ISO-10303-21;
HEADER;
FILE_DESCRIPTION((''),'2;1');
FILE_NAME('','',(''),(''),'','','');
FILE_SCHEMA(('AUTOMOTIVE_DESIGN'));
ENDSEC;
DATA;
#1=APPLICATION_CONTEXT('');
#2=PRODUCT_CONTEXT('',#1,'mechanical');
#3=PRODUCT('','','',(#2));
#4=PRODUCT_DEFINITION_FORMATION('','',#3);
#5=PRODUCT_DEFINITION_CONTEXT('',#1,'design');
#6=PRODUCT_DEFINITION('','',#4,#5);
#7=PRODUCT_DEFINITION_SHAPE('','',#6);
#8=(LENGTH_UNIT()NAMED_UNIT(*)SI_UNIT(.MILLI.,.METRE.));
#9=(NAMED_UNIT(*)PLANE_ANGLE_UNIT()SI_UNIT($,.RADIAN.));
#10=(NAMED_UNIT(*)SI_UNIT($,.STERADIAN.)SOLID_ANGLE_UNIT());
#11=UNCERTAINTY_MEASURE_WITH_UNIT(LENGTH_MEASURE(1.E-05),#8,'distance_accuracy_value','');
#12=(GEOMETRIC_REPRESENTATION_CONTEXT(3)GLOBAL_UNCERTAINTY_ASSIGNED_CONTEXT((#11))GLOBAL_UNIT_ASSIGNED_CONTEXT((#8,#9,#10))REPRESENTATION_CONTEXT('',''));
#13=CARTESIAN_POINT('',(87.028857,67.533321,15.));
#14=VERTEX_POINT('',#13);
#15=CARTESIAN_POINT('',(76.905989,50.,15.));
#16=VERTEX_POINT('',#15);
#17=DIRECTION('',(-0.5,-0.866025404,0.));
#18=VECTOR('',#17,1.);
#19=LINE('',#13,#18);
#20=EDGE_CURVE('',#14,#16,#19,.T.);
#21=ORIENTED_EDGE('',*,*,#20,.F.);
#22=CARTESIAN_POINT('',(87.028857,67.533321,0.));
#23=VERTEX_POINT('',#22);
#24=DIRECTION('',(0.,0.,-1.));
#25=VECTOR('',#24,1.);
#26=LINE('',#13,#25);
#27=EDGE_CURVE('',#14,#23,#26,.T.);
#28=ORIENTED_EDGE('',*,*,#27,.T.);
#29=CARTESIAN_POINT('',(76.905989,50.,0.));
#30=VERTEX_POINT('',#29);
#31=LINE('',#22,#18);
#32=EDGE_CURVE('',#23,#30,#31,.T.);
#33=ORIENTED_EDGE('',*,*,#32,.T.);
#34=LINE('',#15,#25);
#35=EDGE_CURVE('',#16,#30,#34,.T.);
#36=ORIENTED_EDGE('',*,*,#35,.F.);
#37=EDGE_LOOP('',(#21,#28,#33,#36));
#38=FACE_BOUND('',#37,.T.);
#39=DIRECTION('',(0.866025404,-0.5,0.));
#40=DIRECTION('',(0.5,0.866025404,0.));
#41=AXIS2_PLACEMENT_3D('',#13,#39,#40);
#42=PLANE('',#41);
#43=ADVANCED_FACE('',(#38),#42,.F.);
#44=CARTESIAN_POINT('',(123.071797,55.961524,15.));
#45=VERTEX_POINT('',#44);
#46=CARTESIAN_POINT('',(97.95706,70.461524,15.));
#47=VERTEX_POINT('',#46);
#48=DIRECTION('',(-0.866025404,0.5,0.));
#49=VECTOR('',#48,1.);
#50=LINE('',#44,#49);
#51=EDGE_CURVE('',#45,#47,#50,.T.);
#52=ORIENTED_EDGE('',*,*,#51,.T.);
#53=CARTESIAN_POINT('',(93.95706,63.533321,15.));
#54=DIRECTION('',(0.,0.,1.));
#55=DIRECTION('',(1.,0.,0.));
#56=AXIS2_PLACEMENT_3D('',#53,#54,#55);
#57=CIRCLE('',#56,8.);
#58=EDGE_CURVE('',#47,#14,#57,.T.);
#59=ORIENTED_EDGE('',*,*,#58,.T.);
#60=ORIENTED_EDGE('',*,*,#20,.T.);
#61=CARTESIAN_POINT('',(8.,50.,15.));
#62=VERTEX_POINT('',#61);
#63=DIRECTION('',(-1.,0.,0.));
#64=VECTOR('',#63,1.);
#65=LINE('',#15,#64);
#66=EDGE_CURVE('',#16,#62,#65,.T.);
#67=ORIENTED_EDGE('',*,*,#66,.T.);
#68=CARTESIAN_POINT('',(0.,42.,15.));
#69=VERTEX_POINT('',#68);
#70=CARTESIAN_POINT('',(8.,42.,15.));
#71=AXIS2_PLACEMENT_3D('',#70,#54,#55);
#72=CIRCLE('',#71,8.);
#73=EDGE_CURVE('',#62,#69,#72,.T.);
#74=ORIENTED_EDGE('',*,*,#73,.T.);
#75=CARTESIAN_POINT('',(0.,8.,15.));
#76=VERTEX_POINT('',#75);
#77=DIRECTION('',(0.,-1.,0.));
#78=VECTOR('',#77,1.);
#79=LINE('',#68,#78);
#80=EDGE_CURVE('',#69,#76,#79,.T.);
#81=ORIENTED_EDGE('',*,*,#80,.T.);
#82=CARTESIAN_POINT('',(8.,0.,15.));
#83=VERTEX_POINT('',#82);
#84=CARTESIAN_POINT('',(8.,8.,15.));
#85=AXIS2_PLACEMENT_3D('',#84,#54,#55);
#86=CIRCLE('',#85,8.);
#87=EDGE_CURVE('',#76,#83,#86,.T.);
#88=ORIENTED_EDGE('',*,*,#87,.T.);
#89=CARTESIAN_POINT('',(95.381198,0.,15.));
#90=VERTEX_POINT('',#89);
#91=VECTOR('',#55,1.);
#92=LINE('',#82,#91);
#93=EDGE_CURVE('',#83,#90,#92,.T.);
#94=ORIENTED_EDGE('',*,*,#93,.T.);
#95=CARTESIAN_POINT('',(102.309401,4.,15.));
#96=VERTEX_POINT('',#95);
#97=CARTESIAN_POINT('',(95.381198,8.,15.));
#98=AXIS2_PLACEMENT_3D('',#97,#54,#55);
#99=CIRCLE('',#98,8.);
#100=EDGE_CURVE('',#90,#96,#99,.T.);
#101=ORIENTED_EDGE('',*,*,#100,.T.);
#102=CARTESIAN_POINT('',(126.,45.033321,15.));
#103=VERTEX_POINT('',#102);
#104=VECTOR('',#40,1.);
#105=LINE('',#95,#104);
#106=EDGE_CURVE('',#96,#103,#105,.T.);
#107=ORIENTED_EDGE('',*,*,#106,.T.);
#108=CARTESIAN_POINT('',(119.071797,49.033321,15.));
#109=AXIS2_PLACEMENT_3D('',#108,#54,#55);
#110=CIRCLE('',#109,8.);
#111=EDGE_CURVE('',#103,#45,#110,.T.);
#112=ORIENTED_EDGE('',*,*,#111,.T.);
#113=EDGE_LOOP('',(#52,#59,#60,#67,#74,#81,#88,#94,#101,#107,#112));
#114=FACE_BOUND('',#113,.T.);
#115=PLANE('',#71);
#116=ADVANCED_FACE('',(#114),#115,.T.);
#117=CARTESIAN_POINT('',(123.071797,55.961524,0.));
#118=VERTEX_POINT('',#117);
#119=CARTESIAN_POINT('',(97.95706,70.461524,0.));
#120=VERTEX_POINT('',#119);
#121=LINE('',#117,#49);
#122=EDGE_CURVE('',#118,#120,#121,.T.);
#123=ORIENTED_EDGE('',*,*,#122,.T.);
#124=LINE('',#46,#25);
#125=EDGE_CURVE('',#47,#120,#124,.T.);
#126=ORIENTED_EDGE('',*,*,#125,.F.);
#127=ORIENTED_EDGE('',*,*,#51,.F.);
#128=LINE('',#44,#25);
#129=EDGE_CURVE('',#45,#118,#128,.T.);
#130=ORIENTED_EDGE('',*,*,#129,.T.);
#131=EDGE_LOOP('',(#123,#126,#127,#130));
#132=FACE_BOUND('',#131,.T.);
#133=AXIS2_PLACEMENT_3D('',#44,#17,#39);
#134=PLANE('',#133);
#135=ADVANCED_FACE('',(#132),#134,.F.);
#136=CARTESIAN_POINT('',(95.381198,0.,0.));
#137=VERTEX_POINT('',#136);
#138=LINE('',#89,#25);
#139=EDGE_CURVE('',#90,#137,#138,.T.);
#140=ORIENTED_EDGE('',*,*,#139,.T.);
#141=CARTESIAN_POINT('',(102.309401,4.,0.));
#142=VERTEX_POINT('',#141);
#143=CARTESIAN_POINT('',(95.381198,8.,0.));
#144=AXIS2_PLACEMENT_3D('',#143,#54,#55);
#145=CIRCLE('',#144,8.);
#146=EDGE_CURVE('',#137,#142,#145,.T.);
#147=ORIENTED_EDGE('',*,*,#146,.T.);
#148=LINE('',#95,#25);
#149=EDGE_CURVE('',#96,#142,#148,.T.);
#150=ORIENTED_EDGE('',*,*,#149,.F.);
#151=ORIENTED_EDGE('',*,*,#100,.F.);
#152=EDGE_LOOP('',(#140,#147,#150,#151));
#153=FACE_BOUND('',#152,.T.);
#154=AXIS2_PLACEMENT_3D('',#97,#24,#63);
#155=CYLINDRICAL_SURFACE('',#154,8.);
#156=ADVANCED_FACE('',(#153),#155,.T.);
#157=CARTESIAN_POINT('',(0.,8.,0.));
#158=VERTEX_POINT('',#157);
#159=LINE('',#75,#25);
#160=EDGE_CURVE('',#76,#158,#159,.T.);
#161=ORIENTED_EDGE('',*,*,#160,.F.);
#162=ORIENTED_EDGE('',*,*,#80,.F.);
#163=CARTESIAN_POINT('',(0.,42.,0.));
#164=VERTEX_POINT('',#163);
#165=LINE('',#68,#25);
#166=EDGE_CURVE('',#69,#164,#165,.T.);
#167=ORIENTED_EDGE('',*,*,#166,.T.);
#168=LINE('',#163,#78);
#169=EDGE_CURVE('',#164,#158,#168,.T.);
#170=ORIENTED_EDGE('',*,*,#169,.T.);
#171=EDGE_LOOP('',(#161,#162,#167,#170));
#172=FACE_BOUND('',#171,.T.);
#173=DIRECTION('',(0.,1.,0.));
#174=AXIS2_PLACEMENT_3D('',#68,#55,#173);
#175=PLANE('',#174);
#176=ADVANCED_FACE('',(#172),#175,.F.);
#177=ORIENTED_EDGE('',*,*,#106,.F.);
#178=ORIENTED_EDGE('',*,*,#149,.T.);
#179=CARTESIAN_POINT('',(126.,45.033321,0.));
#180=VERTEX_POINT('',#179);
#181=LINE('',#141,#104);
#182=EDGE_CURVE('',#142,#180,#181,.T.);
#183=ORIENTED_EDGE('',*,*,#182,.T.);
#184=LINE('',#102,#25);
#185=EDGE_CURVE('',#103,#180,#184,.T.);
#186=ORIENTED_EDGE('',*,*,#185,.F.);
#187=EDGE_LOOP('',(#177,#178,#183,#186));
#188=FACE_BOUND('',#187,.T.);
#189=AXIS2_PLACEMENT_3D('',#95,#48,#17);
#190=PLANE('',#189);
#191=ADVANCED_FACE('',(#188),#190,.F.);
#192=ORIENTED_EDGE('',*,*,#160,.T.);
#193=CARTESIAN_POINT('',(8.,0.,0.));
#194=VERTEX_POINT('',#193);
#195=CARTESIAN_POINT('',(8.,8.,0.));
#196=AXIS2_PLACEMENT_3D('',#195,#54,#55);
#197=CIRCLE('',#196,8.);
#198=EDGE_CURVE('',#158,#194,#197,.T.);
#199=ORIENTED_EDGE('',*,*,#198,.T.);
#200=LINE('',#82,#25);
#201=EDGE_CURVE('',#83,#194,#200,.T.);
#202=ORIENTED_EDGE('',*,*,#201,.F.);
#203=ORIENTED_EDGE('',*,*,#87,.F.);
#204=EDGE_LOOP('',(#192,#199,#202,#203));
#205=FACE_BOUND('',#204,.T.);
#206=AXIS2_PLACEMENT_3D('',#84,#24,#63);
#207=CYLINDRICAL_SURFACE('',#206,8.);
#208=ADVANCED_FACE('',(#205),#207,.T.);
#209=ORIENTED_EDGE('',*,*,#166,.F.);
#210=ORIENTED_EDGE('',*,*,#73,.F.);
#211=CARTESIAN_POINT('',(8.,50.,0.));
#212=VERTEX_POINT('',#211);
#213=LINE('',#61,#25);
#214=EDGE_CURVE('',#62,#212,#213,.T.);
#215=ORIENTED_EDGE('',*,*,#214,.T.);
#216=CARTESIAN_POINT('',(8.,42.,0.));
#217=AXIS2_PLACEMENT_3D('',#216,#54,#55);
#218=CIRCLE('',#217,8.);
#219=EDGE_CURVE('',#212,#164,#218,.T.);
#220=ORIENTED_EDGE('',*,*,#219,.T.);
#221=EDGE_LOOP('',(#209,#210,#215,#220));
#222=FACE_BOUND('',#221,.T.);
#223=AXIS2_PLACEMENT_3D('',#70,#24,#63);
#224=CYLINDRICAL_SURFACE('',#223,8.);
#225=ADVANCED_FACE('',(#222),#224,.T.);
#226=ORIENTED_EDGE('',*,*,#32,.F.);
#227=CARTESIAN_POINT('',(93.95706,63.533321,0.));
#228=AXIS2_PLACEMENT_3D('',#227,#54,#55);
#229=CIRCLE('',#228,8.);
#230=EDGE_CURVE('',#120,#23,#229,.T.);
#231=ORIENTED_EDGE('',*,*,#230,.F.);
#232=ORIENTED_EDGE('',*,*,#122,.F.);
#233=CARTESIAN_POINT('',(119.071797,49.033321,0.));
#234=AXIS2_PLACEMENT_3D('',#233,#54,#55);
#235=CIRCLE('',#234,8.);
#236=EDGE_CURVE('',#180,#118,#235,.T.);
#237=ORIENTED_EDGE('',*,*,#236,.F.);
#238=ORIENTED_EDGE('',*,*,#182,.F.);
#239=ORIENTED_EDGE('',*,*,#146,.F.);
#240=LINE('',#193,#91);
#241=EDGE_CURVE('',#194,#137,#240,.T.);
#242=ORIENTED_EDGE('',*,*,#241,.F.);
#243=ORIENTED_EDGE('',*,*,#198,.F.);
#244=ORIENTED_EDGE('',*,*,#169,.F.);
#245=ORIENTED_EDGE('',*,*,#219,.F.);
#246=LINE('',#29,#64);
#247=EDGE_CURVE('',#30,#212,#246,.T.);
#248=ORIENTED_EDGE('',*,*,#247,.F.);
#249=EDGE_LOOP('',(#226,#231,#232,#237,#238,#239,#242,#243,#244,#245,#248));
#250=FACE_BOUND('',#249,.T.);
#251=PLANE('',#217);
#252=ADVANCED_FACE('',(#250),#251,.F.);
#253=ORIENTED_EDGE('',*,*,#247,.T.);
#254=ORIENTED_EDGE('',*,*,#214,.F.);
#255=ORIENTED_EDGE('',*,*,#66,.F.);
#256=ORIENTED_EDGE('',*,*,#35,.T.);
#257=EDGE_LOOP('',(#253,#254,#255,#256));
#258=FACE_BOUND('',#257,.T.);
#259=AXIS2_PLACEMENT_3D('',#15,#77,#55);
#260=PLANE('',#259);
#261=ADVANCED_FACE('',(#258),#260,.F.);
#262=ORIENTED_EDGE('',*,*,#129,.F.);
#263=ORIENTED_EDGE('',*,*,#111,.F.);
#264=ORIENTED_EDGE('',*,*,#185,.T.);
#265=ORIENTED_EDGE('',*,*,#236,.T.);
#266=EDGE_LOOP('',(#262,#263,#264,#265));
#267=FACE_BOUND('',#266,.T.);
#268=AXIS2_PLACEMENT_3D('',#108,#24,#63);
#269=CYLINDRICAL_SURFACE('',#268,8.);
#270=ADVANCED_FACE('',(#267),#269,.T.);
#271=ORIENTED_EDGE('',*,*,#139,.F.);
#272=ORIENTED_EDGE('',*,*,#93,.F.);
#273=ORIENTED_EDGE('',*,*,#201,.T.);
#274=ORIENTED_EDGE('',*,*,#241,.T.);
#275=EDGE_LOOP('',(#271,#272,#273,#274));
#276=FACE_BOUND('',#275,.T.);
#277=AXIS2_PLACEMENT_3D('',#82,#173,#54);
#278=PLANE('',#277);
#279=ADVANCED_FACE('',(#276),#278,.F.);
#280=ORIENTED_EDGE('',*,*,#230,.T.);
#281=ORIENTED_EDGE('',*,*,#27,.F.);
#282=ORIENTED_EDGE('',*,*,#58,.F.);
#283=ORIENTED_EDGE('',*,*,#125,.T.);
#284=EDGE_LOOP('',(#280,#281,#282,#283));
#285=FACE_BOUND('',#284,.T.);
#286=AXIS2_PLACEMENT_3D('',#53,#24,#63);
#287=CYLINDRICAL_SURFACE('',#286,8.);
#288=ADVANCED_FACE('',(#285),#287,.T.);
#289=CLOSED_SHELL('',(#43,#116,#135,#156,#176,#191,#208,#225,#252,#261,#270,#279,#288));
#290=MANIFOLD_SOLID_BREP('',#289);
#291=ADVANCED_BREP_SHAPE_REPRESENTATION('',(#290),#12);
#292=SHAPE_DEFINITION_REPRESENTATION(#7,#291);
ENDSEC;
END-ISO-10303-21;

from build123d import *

# Parameters (mm, degrees)
BOSS_EXTRUDE1_DEPTH = 15


with BuildPart() as part:
    # Sketch1 → Boss-Extrude1 (new body)
    with BuildSketch(Plane.XY):
        with BuildLine():
            Line((8, 0), (95.381197846, 0))
            ThreePointArc((95.381197846, 0), (99.381197846, 1.07179677), (102.309401077, 4))
            Line((102.309401077, 4), (126, 45.033320997))
            ThreePointArc((126, 45.033320997), (126.79920338, 51.103873358), (123.07179677, 55.961524227))
            Line((123.07179677, 55.961524227), (97.95706006, 70.461524227))
            ThreePointArc((97.95706006, 70.461524227), (91.886507699, 71.260727607), (87.02885683, 67.533320997))
            Line((87.02885683, 67.533320997), (76.905989232, 50))
            Line((76.905989232, 50), (8, 50))
            ThreePointArc((8, 50), (2.343145751, 47.656854249), (0, 42))
            Line((0, 42), (0, 8))
            ThreePointArc((0, 8), (2.343145751, 2.343145751), (8, 0))
        make_face()
    extrude(amount=BOSS_EXTRUDE1_DEPTH)


solid = part.part
